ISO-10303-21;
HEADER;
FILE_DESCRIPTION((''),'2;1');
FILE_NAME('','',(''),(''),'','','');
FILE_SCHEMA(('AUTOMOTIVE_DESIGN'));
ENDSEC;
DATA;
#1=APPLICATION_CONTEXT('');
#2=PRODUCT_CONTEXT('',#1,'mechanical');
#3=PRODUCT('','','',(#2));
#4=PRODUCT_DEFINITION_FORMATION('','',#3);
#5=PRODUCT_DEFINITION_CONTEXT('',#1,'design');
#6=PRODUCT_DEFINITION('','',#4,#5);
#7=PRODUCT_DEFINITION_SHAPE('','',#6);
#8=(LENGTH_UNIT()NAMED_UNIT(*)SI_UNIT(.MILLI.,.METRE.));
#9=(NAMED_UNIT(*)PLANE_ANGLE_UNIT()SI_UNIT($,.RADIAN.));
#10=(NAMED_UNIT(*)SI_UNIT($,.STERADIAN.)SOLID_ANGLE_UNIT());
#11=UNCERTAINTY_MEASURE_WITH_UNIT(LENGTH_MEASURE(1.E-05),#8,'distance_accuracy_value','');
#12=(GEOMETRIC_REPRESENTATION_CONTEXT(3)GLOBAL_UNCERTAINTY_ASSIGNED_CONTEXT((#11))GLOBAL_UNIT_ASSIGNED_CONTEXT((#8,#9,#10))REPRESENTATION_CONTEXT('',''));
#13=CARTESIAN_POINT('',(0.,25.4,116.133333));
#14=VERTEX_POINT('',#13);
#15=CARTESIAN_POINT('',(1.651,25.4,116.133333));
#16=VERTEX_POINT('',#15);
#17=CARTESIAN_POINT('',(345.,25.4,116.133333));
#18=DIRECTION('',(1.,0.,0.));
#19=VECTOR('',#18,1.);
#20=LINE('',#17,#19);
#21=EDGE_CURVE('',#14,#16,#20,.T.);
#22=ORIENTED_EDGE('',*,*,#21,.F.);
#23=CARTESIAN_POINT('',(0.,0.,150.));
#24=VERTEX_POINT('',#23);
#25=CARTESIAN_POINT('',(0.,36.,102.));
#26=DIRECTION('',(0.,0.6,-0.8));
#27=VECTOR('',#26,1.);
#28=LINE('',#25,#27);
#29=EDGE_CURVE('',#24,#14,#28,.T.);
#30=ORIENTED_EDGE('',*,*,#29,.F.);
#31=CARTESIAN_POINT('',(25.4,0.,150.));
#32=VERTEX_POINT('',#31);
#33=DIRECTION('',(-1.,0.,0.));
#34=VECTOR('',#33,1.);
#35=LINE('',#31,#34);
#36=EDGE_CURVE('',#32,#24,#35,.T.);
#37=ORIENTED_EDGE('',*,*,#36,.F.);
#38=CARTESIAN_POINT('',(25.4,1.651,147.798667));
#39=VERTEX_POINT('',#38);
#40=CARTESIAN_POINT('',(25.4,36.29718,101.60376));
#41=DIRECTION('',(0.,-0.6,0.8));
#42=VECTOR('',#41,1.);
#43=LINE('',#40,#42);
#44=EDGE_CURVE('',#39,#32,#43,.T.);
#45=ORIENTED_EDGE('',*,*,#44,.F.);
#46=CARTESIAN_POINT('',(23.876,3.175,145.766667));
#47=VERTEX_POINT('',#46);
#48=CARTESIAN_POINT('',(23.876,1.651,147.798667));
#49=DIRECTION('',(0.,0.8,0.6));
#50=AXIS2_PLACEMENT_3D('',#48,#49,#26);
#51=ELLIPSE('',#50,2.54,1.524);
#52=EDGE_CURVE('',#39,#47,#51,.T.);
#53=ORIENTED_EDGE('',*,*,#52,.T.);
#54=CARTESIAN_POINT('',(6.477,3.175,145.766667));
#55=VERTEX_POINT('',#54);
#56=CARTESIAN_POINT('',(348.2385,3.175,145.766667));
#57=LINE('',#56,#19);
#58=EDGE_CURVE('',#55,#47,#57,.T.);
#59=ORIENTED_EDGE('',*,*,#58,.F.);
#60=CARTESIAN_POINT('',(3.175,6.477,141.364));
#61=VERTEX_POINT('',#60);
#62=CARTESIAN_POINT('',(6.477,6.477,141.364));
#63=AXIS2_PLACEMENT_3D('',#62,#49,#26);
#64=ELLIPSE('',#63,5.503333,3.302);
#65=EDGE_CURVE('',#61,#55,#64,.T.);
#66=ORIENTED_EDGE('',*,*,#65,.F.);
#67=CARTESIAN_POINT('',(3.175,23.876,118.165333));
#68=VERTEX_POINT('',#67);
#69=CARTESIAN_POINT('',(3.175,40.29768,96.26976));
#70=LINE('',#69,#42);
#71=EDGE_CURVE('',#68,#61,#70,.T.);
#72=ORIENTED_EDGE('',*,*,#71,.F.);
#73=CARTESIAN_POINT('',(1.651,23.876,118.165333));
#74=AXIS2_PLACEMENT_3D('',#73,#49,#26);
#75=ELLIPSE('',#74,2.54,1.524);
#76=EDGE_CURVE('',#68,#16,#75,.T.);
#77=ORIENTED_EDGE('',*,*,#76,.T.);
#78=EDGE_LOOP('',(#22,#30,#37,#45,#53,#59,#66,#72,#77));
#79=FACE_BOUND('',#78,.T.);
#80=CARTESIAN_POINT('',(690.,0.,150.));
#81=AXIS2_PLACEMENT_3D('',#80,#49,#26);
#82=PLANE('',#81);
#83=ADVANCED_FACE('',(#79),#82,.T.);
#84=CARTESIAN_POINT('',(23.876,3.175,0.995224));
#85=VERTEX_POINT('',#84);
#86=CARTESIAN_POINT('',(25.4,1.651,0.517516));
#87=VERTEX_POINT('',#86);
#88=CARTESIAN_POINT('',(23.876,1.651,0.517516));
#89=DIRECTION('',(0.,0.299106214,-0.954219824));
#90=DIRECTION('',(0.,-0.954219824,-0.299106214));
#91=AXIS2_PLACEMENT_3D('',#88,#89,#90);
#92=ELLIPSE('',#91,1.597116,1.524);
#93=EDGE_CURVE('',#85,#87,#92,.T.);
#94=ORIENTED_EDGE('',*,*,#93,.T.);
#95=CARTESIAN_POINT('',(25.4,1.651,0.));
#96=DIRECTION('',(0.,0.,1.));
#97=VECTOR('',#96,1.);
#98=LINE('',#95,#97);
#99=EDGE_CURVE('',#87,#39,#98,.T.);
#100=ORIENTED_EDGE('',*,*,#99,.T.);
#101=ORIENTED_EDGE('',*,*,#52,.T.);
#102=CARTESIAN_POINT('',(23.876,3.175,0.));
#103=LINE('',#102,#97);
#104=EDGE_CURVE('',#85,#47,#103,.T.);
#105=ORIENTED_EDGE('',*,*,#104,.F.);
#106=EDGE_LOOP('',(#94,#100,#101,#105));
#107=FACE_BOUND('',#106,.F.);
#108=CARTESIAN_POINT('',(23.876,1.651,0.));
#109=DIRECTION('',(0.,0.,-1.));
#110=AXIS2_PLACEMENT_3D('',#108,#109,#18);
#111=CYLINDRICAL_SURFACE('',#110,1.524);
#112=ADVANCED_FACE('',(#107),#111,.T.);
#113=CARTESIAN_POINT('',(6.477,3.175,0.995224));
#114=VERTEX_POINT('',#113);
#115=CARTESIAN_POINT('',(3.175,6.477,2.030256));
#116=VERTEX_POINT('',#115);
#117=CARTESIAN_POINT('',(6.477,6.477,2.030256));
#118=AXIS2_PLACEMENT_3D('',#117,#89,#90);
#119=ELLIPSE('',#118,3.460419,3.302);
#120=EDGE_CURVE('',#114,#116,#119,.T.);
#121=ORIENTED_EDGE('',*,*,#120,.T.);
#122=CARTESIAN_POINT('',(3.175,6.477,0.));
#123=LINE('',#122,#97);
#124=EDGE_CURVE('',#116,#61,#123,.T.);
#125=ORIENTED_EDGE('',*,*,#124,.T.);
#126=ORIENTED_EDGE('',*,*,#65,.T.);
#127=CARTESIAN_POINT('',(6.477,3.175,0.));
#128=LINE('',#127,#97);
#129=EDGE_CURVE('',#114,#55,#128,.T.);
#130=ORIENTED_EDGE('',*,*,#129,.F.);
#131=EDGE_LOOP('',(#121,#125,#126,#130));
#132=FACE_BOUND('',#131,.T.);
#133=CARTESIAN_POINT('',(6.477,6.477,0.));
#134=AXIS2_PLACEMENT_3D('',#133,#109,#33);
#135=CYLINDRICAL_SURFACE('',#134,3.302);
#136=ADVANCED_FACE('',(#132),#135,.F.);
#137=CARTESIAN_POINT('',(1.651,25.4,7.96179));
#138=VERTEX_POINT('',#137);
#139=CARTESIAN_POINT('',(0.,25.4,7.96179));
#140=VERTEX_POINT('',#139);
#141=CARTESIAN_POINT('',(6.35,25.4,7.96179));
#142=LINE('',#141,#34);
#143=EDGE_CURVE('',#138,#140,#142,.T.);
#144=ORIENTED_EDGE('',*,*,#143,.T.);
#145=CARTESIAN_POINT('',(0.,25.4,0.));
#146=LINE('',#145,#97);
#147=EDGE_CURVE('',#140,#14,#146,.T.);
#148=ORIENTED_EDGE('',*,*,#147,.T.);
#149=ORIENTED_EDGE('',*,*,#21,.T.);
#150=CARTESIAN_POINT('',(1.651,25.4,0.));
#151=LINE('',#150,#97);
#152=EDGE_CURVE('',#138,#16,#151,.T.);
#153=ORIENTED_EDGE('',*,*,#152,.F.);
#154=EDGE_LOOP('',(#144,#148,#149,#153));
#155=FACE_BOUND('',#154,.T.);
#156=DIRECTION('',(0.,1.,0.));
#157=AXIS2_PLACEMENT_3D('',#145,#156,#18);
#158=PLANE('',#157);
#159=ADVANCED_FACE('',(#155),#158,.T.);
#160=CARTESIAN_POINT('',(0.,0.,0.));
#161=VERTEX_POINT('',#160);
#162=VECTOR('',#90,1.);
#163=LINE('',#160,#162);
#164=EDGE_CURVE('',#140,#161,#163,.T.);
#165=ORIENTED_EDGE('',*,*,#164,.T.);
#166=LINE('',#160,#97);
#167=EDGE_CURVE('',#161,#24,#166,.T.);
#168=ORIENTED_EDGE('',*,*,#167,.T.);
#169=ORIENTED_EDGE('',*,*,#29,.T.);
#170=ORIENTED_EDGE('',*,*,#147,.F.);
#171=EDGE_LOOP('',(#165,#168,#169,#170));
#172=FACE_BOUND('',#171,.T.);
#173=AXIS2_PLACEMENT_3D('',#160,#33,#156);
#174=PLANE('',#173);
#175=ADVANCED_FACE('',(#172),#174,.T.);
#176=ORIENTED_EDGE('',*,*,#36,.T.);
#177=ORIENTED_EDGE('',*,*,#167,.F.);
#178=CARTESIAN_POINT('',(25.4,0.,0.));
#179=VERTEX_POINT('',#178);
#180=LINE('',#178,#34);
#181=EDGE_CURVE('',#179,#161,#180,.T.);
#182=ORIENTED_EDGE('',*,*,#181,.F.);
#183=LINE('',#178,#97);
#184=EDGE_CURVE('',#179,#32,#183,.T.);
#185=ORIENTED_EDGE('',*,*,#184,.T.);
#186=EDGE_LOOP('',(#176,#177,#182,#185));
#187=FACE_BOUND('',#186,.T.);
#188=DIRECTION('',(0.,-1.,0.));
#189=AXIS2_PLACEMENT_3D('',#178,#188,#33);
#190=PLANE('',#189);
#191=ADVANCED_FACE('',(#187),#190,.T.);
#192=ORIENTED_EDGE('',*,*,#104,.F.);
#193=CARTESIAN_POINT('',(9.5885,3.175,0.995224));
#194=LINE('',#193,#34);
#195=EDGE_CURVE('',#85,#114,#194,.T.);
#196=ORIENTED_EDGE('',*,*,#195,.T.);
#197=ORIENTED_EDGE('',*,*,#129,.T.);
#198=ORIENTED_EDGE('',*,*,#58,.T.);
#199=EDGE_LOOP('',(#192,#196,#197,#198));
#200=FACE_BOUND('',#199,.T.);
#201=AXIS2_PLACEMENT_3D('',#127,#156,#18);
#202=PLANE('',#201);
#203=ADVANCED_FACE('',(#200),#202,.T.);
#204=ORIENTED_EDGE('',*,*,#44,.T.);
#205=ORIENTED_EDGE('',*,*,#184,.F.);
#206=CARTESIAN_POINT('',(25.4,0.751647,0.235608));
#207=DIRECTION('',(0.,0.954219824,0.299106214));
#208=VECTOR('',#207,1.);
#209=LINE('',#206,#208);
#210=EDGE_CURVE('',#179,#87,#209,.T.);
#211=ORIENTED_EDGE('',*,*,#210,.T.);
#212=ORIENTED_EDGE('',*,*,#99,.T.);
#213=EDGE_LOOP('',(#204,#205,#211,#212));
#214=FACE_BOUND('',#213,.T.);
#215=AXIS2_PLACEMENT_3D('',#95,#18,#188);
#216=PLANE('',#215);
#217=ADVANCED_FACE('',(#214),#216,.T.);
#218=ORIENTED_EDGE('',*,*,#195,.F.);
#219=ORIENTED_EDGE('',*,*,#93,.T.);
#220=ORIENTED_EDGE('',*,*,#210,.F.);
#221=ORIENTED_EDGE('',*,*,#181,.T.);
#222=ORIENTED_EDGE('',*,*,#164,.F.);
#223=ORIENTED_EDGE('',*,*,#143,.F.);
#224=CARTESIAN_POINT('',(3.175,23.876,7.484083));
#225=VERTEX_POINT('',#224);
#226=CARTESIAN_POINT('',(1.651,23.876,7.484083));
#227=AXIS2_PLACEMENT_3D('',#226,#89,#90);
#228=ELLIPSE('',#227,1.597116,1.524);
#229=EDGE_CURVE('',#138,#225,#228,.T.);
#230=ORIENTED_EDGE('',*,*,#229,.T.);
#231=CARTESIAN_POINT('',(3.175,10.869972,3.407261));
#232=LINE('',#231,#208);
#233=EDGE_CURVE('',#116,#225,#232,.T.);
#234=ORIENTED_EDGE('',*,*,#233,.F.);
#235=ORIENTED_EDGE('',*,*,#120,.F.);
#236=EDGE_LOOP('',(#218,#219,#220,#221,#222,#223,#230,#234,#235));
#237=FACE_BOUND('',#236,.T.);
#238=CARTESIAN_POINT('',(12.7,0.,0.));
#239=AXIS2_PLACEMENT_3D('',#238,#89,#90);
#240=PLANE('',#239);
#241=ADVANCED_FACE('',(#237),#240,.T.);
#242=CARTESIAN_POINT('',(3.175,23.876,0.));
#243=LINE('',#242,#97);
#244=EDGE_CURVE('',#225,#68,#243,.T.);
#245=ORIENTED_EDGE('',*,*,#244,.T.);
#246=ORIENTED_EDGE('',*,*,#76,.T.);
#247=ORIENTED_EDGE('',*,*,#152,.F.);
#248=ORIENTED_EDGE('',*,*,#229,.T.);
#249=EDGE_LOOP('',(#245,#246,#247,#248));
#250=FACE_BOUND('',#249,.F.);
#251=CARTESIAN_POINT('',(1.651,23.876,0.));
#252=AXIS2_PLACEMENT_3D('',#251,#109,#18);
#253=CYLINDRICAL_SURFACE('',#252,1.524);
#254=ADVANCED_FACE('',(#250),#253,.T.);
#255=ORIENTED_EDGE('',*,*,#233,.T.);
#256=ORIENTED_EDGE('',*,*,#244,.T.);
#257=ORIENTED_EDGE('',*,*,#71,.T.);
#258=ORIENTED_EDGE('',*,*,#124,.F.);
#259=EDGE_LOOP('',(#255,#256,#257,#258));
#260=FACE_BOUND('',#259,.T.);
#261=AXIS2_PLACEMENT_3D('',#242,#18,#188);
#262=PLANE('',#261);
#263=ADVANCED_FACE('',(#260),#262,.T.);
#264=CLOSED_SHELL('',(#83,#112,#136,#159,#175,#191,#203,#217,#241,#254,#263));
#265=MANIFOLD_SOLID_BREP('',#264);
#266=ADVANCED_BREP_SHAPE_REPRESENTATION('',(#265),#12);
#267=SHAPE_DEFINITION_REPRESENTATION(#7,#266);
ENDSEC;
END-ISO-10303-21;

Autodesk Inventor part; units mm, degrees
ref_plane "Start Plane" through (0, 0, 0) normal (0, 0, 1) x (1, 0, 0)
ref_plane "End Plane" through (0, 0, 150) normal (0, 0, 1) x (1, 0, 0)
sketch "Sketch" plane through (0, 0, 0) normal (0, 0, 1) x (1, 0, 0)
  line L0 (25.4, 0) -> (0, 0)
  line L1 (0, 0) -> (0, 25.4)
  line L2 (0, 25.4) -> (1.651, 25.4)
  line L3 (3.175, 23.876) -> (3.175, 6.477)
  line L4 (6.477, 3.175) -> (23.876, 3.175)
  line L5 (25.4, 1.651) -> (25.4, 0)
  line L6 (0, -11.0414) -> (0, 31.5385) construction
  line L7 (-11.0414, 0) -> (31.5385, 0) construction
  arc A0 (3.175, 6.477) -> (6.477, 3.175) centre (6.477, 6.477) ccw
  arc A1 (3.175, 23.876) -> (1.651, 25.4) centre (1.651, 23.876) ccw
  arc A2 (25.4, 1.651) -> (23.876, 3.175) centre (23.876, 1.651) ccw
  line L8 (0, 40.0545) -> (0, -19.5574) construction
  line L9 (-19.5574, 0) -> (40.0545, 0) construction
  point P0 (3.175, 25.4)
  point P1 (3.175, 3.175)
  point P2 (25.4, 3.175)
  dimension "d0" = 25.4
  dimension "d1" = 25.4
  dimension "d2" = 3.175
  dimension "d3" = 3.175
  dimension "d10" = 0
  dimension "d11" = 0
  dimension "d14" = 3.302
  dimension "d15" = 1.524
extrude "Body" add sketch "Sketch" along normal up to surface (150 mm away) from surface at 0
sketch "Sketch3" plane through (0, 0, 0) normal (0, 0, 1) x (1, 0, 0)
  line L0 (0, 0) -> (10, 0)
ref_plane "Work Plane3" through (0, 0, 0) normal (0, -1, 0) x (1, 0, 0)
ref_plane "Work Plane4" through (12.7, 0, 0) normal (0, 0.2991, -0.9542) x (1, 0, 0)
split "Split1" plane through (12.7, 0, 0) removes the side toward (0, 0.2991, -0.9542)
ref_plane "Work Plane5" through (690, 0, 150) normal (0, 0.8, 0.6) x (1, 0, 0)
split "Split2" plane through (690, 0, 150) removes the side toward (0, 0.8, 0.6)
sketch "Sketch5" plane through (6.477, 3.175, 0.9951) normal (0, 1, 0) x (1, 0, 0)
  point P0 (-6.477, 0.9951)
sketch "Sketch4" plane through (0, 0, 0) normal (0, -1, 0) x (1, 0, 0)
  line L0 (-2, 0) -> (12, 0) projected
  line L1 (-2, 150) -> (12, 150) projected
  dimension "d17" = 150
equation "\"d0\" = G_H"
equation "\"d1\" = G_H"
equation "\"d2\" = G_T"
equation "\"d3\" = G_T"
equation "\"d14\" = G_IR"
equation "\"d15\" = G_ER"
equation "\"d4\" = G_L"
equation "\"G_H\" = 25.4"
equation "\"G_T\" = 3.175"
equation "\"G_ER\" = 1.524"
equation "\"G_IR\" = 3.302"
equation "\"G_L\" = d17"
equation "\"ex\" = 0"
equation "\"G_OFFSET_START\" = 0"
equation "\"G_OFFSET_END\" = 0"
equation "\"d13\" = G_OFFSET_END + B_L"
equation "\"B_L\" = 150"
properties part number "AISC - L 1 x 1 x 1/8 - 5.906" material "Steel, Mild"
